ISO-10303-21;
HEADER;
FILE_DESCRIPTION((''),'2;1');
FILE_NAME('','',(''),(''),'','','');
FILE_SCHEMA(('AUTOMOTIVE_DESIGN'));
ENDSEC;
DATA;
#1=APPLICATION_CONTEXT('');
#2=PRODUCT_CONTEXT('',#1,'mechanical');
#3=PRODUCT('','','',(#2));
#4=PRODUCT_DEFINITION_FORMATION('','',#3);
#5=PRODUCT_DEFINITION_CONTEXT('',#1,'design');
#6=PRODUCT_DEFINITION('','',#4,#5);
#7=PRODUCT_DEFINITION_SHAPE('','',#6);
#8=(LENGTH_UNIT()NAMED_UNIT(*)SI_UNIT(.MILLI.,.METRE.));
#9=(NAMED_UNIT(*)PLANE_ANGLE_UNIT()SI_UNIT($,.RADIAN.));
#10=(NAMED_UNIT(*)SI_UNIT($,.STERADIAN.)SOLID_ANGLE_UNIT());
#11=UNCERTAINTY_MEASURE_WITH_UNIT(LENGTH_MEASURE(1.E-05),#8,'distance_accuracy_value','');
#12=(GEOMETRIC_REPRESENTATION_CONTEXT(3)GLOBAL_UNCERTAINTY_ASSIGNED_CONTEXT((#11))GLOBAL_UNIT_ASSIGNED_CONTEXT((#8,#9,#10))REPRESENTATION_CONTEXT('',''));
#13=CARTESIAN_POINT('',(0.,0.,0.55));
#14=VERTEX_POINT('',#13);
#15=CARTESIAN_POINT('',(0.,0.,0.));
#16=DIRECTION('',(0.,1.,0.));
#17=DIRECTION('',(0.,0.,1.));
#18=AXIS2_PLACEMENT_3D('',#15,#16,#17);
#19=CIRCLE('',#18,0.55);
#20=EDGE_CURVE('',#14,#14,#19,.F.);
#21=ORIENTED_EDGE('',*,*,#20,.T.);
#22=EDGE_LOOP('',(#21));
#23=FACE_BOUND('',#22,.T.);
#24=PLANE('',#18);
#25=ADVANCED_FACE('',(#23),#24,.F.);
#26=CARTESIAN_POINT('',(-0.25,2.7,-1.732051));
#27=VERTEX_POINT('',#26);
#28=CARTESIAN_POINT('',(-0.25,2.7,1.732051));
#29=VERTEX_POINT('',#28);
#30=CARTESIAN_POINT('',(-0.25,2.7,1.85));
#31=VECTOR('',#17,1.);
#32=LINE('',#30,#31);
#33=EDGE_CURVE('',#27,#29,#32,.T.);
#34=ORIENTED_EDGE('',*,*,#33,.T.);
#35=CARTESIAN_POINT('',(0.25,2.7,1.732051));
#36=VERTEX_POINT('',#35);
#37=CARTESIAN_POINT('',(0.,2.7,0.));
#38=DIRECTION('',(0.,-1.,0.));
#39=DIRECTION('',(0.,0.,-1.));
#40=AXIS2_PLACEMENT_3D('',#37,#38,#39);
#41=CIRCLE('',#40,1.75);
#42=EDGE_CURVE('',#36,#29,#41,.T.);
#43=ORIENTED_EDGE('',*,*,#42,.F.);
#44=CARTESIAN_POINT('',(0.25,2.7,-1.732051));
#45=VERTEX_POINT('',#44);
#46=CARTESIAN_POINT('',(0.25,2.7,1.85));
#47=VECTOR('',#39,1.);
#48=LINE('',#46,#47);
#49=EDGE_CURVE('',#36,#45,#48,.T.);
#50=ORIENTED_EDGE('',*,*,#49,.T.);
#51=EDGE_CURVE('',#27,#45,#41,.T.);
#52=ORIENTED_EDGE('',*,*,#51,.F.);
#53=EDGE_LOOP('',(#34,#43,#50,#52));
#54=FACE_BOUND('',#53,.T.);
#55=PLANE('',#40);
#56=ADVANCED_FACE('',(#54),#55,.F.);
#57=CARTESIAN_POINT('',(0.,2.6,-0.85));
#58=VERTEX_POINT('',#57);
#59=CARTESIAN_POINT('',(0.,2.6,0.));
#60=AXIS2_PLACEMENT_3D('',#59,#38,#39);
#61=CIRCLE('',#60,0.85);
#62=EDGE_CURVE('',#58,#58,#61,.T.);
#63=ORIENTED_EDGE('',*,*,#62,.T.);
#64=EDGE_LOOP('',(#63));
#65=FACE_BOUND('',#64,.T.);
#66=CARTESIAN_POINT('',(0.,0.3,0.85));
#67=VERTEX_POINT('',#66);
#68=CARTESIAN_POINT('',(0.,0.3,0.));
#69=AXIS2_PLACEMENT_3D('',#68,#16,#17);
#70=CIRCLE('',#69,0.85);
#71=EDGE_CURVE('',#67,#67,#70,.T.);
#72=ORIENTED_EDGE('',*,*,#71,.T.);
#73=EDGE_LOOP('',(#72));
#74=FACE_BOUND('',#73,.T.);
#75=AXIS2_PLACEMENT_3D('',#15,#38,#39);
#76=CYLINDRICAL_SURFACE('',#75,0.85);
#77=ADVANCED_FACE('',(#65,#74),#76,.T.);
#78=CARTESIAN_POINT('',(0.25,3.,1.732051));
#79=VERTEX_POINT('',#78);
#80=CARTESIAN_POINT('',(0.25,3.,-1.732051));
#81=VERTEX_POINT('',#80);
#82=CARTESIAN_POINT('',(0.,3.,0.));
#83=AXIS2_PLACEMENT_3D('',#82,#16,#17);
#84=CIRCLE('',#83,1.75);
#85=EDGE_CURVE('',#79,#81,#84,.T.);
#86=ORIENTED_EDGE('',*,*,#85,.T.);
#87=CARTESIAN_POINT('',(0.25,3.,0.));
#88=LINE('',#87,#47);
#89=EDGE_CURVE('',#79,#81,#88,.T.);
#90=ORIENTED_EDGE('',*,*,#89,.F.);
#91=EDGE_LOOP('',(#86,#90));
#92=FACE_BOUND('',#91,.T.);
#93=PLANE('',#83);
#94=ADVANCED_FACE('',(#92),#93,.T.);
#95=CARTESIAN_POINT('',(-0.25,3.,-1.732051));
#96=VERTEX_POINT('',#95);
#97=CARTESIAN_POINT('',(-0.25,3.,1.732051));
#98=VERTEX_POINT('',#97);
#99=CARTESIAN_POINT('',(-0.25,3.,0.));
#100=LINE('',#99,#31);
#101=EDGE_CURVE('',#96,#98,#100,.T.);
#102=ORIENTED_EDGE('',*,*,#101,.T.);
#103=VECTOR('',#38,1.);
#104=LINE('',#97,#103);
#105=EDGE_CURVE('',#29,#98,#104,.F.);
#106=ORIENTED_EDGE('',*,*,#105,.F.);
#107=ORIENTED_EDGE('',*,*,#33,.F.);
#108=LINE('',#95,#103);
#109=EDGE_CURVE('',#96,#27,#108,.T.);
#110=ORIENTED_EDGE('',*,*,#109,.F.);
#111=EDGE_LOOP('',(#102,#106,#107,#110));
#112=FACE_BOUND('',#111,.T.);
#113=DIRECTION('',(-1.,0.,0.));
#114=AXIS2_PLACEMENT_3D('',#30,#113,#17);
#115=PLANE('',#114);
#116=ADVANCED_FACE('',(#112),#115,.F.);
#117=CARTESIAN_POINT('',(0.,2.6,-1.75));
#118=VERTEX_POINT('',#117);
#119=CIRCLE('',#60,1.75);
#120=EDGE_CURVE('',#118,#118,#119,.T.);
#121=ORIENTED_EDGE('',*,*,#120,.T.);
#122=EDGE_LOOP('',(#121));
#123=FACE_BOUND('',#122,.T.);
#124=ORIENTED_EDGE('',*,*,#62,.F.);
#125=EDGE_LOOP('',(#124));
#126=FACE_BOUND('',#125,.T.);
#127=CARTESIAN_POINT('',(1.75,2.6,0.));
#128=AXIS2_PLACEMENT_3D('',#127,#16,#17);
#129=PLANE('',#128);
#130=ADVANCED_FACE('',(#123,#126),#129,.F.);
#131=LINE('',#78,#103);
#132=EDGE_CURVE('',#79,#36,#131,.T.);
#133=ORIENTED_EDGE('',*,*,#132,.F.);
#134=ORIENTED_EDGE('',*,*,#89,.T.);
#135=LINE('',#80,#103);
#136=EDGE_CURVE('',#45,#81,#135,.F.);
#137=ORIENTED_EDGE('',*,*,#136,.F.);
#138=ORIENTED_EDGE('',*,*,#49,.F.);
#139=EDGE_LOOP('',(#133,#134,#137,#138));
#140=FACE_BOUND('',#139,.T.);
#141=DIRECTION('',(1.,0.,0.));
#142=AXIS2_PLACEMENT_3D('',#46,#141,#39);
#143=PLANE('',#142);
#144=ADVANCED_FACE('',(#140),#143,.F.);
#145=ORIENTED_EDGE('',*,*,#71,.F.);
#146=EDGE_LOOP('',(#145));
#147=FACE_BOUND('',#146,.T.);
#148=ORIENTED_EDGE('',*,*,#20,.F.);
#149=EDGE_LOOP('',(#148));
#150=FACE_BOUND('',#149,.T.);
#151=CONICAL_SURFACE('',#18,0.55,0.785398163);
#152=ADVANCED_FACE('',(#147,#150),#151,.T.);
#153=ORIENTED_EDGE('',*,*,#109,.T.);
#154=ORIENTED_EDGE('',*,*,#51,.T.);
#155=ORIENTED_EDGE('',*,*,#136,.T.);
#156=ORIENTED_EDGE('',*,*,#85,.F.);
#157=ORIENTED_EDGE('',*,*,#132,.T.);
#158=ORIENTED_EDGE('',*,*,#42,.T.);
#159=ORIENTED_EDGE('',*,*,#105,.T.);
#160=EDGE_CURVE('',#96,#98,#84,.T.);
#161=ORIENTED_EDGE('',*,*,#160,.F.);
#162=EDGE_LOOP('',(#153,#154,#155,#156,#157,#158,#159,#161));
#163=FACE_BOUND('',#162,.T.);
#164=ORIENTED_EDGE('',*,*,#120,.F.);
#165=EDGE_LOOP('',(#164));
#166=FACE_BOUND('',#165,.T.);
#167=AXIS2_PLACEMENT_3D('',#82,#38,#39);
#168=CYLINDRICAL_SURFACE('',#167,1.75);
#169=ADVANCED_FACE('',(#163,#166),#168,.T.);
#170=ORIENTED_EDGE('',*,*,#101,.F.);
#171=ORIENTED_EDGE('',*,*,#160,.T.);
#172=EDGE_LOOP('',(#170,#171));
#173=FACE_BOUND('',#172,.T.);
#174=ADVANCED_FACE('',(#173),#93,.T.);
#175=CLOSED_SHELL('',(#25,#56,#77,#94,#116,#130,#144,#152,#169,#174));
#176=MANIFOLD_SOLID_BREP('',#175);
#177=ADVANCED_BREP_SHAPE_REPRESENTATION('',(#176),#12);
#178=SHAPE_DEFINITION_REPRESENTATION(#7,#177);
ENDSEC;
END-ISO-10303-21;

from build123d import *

# Parameters (mm, degrees)
SKETCH1_R           = 1.75
BOSS_EXTRUDE1_DEPTH = 3
SKETCH2_W           = 0.9
SKETCH2_H           = 2.6
SKETCH3_W           = 0.5
SKETCH3_H           = 3.7
CUT_EXTRUDE1_DEPTH  = 0.3
CHAMFER1_SIZE       = 0.3


with BuildPart() as part:
    # Sketch1 → Boss-Extrude1 (new body)
    with BuildSketch(Plane(origin=(0, 0, 0), x_dir=(1, 0, 0), z_dir=(0, 1, 0))):
        Circle(SKETCH1_R)
    extrude(amount=BOSS_EXTRUDE1_DEPTH)

    # Sketch2 → Cut-Revolve1 (revolve, cut)
    with BuildSketch(Plane.XY):
        with Locations((1.3, 1.3)):
            Rectangle(SKETCH2_W, SKETCH2_H)
    revolve(axis=Axis((0, 0, 0), (0, 1, 0)), mode=Mode.SUBTRACT)

    # Sketch3 → Cut-Extrude1 (cut)
    with BuildSketch(Plane(origin=(0, 3, 0), x_dir=(1, 0, 0), z_dir=(0, 1, 0))):
        Rectangle(SKETCH3_W, SKETCH3_H)
    extrude(amount=-CUT_EXTRUDE1_DEPTH, mode=Mode.SUBTRACT)

    # Chamfer1
    chamfer1_edges = [part.edges().sort_by_distance(p)[0] for p in [
        (-0.85, 0, 0),
    ]]
    chamfer(chamfer1_edges, length=CHAMFER1_SIZE)


solid = part.part
